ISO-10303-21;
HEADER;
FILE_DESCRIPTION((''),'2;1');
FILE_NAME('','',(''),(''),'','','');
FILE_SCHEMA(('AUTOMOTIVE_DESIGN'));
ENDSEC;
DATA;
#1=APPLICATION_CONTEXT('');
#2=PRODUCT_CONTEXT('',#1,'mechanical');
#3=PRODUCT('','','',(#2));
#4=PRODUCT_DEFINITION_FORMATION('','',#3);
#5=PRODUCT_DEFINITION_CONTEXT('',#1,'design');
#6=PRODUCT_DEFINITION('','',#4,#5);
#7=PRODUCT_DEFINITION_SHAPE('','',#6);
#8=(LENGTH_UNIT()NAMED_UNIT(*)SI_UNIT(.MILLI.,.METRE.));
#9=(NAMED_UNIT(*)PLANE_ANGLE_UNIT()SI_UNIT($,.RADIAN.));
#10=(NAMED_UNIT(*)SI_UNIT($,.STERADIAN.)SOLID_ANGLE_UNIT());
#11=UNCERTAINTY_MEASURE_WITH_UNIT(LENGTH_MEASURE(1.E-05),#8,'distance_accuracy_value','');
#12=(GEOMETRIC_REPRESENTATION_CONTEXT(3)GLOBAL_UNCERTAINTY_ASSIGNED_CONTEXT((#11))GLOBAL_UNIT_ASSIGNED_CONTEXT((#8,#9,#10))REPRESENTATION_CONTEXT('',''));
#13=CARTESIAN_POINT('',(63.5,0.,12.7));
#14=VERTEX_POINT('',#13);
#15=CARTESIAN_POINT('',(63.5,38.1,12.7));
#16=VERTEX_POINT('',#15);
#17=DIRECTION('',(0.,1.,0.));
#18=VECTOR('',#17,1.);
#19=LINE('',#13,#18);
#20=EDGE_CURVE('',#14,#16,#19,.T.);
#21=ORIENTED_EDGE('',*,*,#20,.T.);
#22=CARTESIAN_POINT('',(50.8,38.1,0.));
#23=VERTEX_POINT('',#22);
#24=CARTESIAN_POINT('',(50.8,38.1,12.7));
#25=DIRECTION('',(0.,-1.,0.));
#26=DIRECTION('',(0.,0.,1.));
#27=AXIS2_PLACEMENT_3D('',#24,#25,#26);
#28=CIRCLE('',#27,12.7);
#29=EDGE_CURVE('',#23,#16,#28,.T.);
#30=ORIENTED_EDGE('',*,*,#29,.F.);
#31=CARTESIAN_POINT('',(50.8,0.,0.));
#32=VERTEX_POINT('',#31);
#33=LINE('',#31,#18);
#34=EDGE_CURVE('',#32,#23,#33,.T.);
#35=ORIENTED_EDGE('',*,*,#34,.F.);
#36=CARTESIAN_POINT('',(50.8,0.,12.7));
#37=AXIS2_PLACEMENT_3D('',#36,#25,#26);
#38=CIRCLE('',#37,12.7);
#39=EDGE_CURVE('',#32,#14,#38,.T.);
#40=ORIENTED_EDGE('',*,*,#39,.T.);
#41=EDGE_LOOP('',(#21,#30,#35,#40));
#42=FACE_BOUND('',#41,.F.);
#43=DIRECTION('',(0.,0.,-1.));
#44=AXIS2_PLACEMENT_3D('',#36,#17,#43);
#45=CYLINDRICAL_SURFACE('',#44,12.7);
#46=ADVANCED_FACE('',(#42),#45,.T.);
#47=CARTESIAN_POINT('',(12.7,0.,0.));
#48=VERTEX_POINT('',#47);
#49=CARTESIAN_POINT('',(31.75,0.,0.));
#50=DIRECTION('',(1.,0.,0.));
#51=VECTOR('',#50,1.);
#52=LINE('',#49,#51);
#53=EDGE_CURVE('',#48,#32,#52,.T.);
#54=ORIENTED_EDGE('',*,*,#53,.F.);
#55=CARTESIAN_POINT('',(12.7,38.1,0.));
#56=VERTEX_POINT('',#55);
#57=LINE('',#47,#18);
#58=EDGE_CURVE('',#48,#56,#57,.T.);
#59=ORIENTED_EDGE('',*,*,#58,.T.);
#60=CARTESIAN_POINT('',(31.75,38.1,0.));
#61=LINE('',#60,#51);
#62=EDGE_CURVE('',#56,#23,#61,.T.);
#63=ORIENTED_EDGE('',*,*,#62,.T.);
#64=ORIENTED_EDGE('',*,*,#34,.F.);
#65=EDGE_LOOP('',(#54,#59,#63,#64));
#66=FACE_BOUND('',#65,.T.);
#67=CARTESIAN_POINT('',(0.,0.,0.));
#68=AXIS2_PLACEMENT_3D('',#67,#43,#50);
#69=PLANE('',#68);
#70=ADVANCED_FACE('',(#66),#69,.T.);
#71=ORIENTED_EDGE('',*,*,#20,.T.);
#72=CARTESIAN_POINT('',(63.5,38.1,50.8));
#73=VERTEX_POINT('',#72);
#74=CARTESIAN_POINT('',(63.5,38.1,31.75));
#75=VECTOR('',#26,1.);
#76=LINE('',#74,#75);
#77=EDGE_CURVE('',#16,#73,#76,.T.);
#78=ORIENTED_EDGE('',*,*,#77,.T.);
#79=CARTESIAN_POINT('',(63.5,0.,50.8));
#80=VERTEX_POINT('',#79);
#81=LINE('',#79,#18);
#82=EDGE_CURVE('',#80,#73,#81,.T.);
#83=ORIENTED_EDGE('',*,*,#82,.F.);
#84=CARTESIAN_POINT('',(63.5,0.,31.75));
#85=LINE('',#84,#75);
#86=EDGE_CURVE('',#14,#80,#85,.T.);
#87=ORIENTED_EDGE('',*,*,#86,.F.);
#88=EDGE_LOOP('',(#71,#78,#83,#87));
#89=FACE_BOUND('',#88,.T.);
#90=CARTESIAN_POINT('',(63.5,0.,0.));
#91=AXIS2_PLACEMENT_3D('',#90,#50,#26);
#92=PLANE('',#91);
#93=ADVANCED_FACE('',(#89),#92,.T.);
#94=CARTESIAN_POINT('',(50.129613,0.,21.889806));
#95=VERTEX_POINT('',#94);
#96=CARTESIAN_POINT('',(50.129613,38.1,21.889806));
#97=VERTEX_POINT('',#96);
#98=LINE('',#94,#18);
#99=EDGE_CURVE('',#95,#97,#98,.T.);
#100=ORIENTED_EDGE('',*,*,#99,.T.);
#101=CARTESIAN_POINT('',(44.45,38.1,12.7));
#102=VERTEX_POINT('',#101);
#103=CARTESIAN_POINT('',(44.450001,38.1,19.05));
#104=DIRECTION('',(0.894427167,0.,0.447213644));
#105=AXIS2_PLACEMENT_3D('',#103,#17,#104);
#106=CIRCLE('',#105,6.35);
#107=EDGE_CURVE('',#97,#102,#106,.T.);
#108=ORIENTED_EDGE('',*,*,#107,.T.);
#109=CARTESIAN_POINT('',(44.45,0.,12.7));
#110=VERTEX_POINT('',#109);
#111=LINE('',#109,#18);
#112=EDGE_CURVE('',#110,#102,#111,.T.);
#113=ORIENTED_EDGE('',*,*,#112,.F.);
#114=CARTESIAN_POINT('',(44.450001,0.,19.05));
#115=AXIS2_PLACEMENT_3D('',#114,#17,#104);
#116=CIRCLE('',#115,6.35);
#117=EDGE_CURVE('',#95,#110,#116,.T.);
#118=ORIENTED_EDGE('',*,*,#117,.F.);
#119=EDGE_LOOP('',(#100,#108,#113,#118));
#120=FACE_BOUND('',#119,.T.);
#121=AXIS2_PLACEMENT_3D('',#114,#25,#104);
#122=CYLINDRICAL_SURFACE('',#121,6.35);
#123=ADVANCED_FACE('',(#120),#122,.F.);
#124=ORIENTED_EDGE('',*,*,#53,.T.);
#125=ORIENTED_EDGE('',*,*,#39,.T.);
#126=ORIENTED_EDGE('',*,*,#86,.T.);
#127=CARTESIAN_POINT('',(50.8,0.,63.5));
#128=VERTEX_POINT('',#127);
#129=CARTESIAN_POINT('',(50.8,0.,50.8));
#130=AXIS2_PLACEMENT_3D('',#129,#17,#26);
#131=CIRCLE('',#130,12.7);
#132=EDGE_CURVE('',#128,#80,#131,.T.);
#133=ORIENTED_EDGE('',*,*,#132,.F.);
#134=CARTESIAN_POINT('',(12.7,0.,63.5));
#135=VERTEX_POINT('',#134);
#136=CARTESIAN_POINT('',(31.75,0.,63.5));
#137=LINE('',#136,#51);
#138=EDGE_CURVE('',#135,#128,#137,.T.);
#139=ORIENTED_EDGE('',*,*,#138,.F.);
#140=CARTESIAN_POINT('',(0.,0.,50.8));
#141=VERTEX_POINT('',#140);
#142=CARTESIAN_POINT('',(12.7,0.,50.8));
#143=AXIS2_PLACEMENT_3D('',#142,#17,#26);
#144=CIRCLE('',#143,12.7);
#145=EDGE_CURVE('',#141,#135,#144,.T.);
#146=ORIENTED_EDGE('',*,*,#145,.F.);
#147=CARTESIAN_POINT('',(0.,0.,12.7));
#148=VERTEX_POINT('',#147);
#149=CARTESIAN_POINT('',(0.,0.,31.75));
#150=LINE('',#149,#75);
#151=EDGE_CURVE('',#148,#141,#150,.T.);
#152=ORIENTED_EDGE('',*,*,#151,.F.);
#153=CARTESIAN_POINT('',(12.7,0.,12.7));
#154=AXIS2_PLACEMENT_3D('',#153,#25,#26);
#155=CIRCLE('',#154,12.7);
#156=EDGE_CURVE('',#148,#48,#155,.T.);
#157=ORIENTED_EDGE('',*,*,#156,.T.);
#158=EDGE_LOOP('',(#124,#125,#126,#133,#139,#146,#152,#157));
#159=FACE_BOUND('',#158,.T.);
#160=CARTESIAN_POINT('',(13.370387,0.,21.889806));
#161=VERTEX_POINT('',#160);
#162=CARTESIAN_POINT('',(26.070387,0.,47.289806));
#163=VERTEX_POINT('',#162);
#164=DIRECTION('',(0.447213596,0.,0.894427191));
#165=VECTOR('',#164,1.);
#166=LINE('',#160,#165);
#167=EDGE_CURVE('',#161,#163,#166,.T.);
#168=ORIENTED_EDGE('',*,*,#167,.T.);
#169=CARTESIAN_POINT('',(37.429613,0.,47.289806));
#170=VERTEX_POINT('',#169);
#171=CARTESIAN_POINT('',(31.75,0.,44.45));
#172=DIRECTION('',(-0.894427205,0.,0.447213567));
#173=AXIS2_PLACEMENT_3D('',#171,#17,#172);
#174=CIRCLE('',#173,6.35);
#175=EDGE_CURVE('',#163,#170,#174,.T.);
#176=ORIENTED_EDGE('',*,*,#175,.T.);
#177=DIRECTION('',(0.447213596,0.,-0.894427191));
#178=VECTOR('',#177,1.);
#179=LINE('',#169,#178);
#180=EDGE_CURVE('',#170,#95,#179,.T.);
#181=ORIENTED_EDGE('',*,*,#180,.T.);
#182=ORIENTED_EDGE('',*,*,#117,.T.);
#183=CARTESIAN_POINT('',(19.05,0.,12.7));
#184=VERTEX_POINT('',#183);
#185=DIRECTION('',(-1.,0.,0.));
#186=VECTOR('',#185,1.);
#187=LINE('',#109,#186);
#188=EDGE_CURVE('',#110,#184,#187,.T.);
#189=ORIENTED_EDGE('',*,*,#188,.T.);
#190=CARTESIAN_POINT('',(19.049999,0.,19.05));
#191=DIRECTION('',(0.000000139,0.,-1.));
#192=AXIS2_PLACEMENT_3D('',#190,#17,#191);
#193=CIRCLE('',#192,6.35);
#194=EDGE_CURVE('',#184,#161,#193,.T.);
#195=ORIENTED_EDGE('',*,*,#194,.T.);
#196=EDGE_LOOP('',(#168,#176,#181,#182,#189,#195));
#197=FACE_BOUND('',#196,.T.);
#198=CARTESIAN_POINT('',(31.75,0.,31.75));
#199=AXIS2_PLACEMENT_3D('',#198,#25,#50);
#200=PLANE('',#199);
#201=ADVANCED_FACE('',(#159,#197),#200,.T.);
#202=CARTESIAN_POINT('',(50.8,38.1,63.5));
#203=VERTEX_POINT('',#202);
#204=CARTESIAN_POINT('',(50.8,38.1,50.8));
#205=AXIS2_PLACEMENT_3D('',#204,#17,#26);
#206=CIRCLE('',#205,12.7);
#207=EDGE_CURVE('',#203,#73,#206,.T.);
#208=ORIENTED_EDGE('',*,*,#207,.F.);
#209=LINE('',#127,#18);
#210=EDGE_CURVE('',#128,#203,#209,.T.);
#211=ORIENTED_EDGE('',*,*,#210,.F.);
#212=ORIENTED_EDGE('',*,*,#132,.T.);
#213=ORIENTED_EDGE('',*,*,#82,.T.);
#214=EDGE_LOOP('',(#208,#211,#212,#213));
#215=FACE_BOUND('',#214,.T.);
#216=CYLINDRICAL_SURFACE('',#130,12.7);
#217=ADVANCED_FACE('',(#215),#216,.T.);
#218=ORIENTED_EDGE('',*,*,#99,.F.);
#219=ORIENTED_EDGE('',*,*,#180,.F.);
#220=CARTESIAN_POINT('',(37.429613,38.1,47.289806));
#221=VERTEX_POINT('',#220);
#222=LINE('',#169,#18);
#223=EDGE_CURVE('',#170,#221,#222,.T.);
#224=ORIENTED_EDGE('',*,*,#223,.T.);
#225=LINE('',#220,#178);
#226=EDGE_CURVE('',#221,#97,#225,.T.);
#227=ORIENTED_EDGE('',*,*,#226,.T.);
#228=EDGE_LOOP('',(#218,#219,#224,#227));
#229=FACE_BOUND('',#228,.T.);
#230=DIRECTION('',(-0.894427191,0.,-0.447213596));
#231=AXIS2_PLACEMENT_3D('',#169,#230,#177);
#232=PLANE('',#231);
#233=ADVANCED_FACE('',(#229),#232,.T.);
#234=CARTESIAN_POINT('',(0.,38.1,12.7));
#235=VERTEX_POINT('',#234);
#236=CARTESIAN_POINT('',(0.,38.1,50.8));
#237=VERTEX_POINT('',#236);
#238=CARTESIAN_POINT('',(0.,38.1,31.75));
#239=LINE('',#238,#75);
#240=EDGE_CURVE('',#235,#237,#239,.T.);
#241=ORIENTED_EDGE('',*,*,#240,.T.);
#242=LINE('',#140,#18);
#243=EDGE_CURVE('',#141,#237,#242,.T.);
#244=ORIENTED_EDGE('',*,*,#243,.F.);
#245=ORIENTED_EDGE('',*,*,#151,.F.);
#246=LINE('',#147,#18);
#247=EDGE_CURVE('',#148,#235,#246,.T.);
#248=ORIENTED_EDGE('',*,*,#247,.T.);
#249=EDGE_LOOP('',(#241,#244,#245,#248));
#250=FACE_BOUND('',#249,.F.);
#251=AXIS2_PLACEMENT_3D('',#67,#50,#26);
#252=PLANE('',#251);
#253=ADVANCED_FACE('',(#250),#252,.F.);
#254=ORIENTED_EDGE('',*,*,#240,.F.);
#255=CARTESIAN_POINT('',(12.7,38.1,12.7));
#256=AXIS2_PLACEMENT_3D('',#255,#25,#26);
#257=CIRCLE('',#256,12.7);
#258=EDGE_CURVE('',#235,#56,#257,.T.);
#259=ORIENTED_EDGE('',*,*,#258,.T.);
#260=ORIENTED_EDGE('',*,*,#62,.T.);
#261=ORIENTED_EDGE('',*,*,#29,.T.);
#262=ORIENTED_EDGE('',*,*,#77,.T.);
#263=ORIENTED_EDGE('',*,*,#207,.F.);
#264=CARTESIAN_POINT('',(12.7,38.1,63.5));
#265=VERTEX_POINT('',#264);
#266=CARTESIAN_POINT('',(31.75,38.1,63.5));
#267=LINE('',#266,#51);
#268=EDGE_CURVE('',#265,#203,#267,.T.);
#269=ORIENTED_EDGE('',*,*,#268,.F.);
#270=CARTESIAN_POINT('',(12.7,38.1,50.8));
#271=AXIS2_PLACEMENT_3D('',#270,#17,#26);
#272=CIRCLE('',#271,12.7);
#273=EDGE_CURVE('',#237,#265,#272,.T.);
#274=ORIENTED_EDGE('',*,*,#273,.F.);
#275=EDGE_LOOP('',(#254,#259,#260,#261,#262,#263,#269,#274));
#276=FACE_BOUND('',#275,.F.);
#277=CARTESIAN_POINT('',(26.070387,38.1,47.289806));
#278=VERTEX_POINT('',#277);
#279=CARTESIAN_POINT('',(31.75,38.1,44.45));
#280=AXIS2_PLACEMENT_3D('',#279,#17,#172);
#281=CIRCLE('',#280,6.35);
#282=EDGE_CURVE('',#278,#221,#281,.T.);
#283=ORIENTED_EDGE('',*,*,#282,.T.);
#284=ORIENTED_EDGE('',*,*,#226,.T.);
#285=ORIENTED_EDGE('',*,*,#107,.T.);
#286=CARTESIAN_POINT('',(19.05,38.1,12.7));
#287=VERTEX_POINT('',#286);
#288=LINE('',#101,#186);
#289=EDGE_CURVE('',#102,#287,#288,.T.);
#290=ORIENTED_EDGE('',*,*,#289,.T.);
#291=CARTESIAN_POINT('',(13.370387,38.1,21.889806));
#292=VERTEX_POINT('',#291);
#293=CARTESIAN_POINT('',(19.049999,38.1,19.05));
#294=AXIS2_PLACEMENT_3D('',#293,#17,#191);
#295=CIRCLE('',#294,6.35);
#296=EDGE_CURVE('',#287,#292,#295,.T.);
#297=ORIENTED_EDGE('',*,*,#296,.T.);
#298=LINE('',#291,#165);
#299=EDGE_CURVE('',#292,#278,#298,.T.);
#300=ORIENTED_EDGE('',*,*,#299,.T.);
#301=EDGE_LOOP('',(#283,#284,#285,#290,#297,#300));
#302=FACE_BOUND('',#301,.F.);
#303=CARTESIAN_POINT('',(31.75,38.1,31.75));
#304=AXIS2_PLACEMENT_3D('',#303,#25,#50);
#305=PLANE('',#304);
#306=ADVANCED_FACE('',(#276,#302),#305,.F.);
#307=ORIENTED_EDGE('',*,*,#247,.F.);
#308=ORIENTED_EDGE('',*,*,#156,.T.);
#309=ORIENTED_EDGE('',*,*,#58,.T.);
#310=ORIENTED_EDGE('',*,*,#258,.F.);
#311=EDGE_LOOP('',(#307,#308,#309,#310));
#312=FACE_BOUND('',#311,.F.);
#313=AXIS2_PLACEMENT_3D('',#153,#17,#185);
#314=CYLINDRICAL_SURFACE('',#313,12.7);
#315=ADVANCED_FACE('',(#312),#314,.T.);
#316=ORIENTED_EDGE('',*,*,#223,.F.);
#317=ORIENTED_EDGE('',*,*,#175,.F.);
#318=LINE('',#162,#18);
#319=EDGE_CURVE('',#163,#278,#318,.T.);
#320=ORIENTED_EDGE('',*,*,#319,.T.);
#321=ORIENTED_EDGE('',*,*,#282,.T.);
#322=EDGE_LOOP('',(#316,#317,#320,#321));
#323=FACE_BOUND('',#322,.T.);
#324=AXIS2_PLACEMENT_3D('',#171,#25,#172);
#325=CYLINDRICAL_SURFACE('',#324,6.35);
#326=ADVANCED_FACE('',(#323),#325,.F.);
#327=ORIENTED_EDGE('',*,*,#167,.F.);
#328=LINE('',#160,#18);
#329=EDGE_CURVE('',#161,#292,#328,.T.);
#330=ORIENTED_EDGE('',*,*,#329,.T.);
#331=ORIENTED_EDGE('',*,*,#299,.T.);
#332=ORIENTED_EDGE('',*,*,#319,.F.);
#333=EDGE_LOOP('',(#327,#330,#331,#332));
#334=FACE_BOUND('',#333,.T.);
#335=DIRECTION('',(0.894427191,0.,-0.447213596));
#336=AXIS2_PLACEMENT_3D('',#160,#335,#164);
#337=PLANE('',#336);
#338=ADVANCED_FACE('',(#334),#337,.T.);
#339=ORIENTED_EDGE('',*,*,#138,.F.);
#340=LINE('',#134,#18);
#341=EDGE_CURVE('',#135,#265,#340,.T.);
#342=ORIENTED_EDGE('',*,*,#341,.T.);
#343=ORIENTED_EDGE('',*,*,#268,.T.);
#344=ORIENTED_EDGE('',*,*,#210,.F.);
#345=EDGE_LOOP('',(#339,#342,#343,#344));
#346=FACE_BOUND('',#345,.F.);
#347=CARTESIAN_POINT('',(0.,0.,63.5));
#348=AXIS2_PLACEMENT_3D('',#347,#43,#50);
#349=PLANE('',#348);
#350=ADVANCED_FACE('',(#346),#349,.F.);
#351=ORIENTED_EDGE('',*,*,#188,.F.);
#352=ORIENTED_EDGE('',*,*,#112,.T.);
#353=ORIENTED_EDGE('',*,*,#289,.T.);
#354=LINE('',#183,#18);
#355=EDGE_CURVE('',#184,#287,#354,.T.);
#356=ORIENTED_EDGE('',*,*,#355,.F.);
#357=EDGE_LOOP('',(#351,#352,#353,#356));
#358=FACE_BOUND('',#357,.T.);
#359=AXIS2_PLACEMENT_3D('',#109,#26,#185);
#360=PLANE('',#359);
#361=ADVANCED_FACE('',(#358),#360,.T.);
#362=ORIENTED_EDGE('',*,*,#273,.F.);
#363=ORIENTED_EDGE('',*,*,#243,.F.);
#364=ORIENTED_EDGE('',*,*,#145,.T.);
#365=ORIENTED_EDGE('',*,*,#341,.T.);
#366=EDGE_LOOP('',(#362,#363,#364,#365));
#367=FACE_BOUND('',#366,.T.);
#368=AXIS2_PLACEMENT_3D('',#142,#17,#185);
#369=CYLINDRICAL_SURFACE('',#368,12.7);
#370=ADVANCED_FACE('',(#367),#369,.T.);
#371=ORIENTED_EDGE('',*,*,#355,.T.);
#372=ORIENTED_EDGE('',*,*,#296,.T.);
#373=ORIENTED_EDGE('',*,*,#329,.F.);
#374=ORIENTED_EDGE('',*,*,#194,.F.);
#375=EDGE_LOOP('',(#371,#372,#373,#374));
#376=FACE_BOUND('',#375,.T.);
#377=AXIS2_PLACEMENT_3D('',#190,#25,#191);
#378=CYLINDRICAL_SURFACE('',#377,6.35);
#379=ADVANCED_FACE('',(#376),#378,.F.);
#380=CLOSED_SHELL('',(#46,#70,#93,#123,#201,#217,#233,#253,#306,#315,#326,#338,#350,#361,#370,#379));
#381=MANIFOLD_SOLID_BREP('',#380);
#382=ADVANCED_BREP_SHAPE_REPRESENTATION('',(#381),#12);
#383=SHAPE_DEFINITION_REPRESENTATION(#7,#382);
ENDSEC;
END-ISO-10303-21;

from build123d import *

# Parameters (mm, degrees)
F0_W     = 63.5
F0_H     = 63.5
F1_DEPTH = 38.1
F2_R     = 12.7


with BuildPart() as f1:
    # F0 (on Front) → F1 (new body)
    with BuildSketch(Plane.XZ):
        with Locations((31.75, 31.75)):
            Rectangle(F0_W, F0_H)
        with BuildLine():
            ThreePointArc((19.05, 12.7), (13.648367, 15.711607), (13.370387, 21.889806))
            Line((13.370387, 21.889806), (26.070387, 47.289806))
            ThreePointArc((26.070387, 47.289806), (31.75, 50.8), (37.429613, 47.289806))
            Line((37.429613, 47.289806), (50.129613, 21.889806))
            ThreePointArc((50.129613, 21.889806), (49.851633, 15.711607), (44.45, 12.7))
            Line((44.45, 12.7), (19.05, 12.7))
        make_face(mode=Mode.SUBTRACT)
    extrude(amount=-F1_DEPTH)

    # F2
    f2_edges = [f1.edges().sort_by_distance(p)[0] for p in [
        (63.5, 19.05, 63.5),
        (63.5, 19.05, 0),
        (0, 19.05, 63.5),
        (0, 19.05, 0),
    ]]
    fillet(f2_edges, radius=F2_R)


solid = f1.part
